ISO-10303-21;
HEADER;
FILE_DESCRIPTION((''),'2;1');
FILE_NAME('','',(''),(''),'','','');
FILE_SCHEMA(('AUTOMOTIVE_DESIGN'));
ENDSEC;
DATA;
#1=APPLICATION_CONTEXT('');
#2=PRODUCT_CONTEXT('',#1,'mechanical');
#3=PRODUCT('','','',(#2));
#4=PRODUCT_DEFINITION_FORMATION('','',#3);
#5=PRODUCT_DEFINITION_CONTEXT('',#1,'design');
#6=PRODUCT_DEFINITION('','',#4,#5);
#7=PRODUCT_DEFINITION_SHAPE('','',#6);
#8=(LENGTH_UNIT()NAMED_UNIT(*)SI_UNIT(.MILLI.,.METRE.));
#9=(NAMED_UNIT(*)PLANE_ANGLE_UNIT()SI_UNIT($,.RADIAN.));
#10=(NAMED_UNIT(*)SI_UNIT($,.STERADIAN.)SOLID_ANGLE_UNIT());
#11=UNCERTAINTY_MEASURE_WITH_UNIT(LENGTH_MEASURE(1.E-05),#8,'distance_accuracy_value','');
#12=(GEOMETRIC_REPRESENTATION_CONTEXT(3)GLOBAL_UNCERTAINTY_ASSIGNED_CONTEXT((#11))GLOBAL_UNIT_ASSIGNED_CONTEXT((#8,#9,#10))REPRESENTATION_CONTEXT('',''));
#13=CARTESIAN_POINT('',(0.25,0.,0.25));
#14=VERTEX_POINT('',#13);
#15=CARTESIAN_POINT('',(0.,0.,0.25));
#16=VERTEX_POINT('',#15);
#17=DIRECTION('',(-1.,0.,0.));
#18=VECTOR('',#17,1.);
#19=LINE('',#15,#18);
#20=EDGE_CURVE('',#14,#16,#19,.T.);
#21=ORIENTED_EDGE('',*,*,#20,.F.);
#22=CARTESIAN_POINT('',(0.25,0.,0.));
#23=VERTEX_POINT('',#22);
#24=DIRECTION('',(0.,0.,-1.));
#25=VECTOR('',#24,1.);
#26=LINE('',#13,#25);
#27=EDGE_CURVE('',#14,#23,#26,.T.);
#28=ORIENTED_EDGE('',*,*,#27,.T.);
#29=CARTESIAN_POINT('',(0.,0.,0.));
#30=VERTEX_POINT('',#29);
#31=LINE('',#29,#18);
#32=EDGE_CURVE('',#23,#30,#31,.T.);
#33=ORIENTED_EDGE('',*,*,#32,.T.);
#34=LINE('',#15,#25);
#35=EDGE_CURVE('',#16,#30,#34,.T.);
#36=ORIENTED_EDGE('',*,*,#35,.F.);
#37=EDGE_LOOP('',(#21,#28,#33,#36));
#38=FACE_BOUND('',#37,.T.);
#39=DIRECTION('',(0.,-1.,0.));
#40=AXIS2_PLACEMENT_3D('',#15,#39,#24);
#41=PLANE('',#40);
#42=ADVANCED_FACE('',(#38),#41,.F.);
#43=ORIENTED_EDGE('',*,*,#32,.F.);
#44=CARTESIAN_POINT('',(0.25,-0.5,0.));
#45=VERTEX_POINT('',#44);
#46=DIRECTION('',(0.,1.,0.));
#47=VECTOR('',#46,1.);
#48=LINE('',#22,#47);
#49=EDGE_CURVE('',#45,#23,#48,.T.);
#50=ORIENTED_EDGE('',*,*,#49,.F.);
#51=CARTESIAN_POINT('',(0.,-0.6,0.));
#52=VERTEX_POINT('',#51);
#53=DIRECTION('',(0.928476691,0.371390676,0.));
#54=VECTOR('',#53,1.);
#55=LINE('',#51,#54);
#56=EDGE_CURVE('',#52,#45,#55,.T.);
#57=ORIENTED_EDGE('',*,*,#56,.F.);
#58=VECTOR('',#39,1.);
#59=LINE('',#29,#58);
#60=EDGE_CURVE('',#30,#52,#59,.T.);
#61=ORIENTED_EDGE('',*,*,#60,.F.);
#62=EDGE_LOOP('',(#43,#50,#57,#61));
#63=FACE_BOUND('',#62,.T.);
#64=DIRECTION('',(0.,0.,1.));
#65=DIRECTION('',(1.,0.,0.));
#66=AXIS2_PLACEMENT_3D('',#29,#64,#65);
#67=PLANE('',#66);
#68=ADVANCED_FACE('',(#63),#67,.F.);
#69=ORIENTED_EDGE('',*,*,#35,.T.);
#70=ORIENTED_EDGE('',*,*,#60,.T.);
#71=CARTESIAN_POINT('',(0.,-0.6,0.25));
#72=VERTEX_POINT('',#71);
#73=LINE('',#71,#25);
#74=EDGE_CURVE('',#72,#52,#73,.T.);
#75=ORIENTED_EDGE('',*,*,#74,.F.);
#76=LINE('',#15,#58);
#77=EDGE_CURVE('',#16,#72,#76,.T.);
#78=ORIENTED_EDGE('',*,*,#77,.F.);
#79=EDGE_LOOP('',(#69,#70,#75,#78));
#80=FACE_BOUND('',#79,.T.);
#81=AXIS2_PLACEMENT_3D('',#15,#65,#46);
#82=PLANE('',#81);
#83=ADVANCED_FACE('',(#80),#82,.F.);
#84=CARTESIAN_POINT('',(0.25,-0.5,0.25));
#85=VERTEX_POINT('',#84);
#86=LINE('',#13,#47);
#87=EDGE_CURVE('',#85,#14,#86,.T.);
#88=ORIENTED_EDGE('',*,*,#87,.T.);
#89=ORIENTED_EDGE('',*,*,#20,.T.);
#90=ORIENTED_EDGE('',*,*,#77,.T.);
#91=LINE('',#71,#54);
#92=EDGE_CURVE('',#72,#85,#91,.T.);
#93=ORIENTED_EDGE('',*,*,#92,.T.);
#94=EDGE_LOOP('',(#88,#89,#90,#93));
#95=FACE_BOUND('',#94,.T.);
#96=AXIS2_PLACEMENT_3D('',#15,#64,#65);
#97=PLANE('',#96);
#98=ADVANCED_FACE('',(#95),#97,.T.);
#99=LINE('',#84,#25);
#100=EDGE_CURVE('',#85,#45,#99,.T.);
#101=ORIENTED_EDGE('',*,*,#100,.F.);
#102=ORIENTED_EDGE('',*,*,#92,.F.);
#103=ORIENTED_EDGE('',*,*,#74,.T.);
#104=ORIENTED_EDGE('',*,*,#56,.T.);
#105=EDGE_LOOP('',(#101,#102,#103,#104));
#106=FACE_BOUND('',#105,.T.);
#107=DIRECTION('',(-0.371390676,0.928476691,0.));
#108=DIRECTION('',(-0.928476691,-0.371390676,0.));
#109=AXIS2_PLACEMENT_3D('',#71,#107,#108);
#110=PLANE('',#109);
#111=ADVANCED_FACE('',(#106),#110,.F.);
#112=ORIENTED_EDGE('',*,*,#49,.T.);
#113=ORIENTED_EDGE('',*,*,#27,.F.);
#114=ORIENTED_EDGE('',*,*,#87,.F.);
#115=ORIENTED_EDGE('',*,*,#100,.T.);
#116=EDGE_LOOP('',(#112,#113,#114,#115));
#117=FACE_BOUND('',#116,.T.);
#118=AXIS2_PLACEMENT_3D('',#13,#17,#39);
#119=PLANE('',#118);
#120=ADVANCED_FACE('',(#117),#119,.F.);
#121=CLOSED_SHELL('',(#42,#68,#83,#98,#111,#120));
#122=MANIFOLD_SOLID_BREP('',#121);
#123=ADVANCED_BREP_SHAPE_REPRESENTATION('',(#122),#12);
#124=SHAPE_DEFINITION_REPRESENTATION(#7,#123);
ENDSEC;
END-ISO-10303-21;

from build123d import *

# Parameters (mm, degrees)
SALIENTE_EXTRUIR1_DEPTH = 0.25


with BuildPart() as part:
    # Croquis1 → Saliente-Extruir1 (new body)
    with BuildSketch(Plane.XY):
        Polygon((0, 0), (0.25, 0), (0.25, -0.5), (0, -0.6), align=None)
    extrude(amount=SALIENTE_EXTRUIR1_DEPTH)


solid = part.part
